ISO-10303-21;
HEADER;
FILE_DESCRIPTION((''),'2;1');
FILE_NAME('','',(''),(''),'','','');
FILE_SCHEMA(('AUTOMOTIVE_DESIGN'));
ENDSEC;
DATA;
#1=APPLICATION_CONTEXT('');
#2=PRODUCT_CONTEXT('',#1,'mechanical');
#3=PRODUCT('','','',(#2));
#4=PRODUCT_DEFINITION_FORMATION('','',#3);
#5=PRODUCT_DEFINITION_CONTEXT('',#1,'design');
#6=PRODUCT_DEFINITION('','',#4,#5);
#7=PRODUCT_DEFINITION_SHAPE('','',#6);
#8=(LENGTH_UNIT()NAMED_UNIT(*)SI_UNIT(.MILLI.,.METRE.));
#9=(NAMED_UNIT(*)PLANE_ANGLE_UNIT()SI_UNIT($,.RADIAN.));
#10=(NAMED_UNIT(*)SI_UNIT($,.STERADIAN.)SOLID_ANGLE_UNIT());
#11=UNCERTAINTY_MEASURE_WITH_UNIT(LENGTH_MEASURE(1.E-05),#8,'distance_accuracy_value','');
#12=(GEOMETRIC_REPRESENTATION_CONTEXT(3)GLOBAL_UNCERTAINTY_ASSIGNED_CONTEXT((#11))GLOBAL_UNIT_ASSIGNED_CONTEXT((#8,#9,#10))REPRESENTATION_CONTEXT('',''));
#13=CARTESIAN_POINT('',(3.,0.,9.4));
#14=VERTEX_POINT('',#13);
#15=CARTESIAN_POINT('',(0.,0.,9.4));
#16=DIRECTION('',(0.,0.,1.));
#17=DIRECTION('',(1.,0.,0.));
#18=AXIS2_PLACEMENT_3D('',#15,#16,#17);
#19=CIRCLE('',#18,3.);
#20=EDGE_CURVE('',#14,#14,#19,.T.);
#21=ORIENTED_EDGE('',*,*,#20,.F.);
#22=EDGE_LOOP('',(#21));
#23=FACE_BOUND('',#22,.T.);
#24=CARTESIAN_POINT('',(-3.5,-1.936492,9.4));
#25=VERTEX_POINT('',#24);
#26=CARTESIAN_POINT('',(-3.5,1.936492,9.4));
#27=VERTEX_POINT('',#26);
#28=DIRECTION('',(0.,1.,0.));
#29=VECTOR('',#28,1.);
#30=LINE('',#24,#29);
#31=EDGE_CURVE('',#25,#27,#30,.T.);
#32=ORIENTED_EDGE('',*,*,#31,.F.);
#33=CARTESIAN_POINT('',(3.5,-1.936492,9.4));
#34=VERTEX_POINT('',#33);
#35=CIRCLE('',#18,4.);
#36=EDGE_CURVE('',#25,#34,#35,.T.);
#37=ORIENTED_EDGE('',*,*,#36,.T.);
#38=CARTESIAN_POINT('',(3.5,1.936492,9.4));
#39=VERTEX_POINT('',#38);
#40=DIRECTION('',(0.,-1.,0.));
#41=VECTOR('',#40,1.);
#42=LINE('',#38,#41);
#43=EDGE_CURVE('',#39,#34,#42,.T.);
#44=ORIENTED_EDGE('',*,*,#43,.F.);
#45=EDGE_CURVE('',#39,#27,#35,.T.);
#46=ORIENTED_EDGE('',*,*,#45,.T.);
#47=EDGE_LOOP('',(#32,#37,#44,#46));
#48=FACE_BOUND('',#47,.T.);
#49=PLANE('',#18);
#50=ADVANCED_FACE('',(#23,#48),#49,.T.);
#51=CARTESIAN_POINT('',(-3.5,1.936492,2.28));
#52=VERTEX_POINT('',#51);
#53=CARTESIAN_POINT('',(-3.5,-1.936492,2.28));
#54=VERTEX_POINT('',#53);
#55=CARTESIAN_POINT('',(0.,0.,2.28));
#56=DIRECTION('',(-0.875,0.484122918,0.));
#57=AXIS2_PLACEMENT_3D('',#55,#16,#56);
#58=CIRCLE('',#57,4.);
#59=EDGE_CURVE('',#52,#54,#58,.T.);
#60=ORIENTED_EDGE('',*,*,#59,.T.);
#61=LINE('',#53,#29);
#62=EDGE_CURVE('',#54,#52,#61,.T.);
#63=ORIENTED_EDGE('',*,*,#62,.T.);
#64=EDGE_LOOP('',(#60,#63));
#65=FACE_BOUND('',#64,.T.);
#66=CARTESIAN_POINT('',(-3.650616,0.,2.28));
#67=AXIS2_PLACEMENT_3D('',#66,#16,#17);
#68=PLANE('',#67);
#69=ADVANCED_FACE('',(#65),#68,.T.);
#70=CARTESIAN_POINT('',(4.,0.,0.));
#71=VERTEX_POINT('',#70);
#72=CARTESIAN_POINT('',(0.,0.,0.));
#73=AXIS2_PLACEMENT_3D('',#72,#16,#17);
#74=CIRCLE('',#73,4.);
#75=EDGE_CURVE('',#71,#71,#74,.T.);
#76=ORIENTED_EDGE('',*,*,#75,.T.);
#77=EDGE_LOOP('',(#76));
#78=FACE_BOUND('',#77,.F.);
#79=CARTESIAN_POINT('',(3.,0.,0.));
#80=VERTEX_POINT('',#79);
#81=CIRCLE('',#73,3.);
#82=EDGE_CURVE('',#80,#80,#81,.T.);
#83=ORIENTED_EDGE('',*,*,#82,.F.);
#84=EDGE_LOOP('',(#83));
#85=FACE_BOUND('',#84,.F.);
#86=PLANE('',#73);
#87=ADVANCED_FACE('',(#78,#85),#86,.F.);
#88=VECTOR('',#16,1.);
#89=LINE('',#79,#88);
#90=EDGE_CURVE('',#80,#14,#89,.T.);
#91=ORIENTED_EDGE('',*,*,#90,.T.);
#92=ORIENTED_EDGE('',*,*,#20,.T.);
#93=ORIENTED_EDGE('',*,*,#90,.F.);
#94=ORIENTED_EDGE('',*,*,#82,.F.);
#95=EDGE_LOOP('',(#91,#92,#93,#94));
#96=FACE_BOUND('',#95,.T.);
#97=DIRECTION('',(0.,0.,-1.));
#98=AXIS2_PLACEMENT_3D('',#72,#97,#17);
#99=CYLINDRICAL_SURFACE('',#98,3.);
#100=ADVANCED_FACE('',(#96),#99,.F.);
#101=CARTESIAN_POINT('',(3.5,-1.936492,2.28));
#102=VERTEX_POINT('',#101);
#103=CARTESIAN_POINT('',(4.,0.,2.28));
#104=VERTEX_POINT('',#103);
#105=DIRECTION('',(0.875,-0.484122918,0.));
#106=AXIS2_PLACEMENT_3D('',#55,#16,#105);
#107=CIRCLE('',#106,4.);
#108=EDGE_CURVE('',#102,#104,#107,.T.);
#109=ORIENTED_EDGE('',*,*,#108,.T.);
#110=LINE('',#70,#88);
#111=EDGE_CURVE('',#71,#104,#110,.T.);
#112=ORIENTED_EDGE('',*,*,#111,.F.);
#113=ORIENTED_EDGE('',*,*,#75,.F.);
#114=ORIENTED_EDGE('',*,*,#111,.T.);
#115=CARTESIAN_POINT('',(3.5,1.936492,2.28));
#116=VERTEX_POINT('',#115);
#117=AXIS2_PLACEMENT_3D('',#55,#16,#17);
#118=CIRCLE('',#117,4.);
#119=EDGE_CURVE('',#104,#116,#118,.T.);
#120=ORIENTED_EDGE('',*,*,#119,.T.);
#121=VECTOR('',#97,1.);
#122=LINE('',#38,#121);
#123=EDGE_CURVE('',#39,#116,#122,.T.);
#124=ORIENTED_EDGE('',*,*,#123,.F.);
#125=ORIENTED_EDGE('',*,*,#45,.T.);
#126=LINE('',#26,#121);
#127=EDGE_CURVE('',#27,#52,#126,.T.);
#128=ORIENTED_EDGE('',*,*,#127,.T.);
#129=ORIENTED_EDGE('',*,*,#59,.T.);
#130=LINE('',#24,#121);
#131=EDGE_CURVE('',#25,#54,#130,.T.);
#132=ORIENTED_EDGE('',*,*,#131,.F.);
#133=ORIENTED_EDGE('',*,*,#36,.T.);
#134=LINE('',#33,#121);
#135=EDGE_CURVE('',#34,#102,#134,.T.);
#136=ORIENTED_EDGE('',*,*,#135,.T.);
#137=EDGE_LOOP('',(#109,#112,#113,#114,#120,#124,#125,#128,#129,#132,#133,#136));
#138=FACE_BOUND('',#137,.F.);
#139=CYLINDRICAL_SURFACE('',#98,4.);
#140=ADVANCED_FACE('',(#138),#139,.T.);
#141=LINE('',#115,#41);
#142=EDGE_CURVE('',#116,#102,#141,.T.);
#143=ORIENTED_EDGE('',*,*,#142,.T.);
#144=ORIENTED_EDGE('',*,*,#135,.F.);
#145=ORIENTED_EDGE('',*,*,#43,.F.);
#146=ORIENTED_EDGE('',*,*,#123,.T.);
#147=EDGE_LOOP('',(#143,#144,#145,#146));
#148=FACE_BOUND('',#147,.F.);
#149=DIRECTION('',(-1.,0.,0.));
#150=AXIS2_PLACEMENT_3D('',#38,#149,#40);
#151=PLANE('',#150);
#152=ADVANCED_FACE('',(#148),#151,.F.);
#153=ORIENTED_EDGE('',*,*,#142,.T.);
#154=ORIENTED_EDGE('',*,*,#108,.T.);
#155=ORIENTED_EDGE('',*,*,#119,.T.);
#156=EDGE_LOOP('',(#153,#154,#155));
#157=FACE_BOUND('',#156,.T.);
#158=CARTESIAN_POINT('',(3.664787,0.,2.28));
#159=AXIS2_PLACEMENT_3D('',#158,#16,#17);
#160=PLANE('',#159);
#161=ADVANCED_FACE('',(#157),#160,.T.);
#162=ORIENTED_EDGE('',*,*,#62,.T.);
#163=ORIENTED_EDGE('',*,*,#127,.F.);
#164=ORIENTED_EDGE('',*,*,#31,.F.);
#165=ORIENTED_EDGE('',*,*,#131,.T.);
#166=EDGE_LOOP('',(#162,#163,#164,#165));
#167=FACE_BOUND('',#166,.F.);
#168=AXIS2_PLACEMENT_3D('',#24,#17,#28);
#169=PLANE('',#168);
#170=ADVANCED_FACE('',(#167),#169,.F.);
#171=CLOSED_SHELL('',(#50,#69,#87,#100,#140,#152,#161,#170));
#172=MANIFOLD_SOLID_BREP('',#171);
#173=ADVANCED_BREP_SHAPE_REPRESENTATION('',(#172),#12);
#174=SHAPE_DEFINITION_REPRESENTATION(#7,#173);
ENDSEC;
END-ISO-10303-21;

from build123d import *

# Parameters (mm, degrees)
F0_R     = 4
F0_R_2   = 3
F1_DEPTH = 9.4
F3_DEPTH = 7.12


with BuildPart() as f1:
    # F0 (on Top) → F1 (new body)
    with BuildSketch(Plane.XY):
        Circle(F0_R)
        Circle(F0_R_2, mode=Mode.SUBTRACT)
    extrude(amount=F1_DEPTH)

    # F2 (on face) → F3 (cut)
    with BuildSketch(Plane.XY.offset(9.4)):
        with BuildLine():
            Line((-3.5, -1.9364916731), (-3.5, 1.9364916731))
            ThreePointArc((-3.5, 1.9364916731), (-4, 0), (-3.5, -1.9364916731))
        make_face()
        with BuildLine():
            ThreePointArc((4, 0), (3.8729833462, 1), (3.5, 1.9364916731))
            Line((3.5, 1.9364916731), (3.5, -1.9364916731))
            ThreePointArc((3.5, -1.9364916731), (3.8729833462, -1), (4, 0))
        make_face()
    extrude(amount=-F3_DEPTH, mode=Mode.SUBTRACT)


solid = f1.part
